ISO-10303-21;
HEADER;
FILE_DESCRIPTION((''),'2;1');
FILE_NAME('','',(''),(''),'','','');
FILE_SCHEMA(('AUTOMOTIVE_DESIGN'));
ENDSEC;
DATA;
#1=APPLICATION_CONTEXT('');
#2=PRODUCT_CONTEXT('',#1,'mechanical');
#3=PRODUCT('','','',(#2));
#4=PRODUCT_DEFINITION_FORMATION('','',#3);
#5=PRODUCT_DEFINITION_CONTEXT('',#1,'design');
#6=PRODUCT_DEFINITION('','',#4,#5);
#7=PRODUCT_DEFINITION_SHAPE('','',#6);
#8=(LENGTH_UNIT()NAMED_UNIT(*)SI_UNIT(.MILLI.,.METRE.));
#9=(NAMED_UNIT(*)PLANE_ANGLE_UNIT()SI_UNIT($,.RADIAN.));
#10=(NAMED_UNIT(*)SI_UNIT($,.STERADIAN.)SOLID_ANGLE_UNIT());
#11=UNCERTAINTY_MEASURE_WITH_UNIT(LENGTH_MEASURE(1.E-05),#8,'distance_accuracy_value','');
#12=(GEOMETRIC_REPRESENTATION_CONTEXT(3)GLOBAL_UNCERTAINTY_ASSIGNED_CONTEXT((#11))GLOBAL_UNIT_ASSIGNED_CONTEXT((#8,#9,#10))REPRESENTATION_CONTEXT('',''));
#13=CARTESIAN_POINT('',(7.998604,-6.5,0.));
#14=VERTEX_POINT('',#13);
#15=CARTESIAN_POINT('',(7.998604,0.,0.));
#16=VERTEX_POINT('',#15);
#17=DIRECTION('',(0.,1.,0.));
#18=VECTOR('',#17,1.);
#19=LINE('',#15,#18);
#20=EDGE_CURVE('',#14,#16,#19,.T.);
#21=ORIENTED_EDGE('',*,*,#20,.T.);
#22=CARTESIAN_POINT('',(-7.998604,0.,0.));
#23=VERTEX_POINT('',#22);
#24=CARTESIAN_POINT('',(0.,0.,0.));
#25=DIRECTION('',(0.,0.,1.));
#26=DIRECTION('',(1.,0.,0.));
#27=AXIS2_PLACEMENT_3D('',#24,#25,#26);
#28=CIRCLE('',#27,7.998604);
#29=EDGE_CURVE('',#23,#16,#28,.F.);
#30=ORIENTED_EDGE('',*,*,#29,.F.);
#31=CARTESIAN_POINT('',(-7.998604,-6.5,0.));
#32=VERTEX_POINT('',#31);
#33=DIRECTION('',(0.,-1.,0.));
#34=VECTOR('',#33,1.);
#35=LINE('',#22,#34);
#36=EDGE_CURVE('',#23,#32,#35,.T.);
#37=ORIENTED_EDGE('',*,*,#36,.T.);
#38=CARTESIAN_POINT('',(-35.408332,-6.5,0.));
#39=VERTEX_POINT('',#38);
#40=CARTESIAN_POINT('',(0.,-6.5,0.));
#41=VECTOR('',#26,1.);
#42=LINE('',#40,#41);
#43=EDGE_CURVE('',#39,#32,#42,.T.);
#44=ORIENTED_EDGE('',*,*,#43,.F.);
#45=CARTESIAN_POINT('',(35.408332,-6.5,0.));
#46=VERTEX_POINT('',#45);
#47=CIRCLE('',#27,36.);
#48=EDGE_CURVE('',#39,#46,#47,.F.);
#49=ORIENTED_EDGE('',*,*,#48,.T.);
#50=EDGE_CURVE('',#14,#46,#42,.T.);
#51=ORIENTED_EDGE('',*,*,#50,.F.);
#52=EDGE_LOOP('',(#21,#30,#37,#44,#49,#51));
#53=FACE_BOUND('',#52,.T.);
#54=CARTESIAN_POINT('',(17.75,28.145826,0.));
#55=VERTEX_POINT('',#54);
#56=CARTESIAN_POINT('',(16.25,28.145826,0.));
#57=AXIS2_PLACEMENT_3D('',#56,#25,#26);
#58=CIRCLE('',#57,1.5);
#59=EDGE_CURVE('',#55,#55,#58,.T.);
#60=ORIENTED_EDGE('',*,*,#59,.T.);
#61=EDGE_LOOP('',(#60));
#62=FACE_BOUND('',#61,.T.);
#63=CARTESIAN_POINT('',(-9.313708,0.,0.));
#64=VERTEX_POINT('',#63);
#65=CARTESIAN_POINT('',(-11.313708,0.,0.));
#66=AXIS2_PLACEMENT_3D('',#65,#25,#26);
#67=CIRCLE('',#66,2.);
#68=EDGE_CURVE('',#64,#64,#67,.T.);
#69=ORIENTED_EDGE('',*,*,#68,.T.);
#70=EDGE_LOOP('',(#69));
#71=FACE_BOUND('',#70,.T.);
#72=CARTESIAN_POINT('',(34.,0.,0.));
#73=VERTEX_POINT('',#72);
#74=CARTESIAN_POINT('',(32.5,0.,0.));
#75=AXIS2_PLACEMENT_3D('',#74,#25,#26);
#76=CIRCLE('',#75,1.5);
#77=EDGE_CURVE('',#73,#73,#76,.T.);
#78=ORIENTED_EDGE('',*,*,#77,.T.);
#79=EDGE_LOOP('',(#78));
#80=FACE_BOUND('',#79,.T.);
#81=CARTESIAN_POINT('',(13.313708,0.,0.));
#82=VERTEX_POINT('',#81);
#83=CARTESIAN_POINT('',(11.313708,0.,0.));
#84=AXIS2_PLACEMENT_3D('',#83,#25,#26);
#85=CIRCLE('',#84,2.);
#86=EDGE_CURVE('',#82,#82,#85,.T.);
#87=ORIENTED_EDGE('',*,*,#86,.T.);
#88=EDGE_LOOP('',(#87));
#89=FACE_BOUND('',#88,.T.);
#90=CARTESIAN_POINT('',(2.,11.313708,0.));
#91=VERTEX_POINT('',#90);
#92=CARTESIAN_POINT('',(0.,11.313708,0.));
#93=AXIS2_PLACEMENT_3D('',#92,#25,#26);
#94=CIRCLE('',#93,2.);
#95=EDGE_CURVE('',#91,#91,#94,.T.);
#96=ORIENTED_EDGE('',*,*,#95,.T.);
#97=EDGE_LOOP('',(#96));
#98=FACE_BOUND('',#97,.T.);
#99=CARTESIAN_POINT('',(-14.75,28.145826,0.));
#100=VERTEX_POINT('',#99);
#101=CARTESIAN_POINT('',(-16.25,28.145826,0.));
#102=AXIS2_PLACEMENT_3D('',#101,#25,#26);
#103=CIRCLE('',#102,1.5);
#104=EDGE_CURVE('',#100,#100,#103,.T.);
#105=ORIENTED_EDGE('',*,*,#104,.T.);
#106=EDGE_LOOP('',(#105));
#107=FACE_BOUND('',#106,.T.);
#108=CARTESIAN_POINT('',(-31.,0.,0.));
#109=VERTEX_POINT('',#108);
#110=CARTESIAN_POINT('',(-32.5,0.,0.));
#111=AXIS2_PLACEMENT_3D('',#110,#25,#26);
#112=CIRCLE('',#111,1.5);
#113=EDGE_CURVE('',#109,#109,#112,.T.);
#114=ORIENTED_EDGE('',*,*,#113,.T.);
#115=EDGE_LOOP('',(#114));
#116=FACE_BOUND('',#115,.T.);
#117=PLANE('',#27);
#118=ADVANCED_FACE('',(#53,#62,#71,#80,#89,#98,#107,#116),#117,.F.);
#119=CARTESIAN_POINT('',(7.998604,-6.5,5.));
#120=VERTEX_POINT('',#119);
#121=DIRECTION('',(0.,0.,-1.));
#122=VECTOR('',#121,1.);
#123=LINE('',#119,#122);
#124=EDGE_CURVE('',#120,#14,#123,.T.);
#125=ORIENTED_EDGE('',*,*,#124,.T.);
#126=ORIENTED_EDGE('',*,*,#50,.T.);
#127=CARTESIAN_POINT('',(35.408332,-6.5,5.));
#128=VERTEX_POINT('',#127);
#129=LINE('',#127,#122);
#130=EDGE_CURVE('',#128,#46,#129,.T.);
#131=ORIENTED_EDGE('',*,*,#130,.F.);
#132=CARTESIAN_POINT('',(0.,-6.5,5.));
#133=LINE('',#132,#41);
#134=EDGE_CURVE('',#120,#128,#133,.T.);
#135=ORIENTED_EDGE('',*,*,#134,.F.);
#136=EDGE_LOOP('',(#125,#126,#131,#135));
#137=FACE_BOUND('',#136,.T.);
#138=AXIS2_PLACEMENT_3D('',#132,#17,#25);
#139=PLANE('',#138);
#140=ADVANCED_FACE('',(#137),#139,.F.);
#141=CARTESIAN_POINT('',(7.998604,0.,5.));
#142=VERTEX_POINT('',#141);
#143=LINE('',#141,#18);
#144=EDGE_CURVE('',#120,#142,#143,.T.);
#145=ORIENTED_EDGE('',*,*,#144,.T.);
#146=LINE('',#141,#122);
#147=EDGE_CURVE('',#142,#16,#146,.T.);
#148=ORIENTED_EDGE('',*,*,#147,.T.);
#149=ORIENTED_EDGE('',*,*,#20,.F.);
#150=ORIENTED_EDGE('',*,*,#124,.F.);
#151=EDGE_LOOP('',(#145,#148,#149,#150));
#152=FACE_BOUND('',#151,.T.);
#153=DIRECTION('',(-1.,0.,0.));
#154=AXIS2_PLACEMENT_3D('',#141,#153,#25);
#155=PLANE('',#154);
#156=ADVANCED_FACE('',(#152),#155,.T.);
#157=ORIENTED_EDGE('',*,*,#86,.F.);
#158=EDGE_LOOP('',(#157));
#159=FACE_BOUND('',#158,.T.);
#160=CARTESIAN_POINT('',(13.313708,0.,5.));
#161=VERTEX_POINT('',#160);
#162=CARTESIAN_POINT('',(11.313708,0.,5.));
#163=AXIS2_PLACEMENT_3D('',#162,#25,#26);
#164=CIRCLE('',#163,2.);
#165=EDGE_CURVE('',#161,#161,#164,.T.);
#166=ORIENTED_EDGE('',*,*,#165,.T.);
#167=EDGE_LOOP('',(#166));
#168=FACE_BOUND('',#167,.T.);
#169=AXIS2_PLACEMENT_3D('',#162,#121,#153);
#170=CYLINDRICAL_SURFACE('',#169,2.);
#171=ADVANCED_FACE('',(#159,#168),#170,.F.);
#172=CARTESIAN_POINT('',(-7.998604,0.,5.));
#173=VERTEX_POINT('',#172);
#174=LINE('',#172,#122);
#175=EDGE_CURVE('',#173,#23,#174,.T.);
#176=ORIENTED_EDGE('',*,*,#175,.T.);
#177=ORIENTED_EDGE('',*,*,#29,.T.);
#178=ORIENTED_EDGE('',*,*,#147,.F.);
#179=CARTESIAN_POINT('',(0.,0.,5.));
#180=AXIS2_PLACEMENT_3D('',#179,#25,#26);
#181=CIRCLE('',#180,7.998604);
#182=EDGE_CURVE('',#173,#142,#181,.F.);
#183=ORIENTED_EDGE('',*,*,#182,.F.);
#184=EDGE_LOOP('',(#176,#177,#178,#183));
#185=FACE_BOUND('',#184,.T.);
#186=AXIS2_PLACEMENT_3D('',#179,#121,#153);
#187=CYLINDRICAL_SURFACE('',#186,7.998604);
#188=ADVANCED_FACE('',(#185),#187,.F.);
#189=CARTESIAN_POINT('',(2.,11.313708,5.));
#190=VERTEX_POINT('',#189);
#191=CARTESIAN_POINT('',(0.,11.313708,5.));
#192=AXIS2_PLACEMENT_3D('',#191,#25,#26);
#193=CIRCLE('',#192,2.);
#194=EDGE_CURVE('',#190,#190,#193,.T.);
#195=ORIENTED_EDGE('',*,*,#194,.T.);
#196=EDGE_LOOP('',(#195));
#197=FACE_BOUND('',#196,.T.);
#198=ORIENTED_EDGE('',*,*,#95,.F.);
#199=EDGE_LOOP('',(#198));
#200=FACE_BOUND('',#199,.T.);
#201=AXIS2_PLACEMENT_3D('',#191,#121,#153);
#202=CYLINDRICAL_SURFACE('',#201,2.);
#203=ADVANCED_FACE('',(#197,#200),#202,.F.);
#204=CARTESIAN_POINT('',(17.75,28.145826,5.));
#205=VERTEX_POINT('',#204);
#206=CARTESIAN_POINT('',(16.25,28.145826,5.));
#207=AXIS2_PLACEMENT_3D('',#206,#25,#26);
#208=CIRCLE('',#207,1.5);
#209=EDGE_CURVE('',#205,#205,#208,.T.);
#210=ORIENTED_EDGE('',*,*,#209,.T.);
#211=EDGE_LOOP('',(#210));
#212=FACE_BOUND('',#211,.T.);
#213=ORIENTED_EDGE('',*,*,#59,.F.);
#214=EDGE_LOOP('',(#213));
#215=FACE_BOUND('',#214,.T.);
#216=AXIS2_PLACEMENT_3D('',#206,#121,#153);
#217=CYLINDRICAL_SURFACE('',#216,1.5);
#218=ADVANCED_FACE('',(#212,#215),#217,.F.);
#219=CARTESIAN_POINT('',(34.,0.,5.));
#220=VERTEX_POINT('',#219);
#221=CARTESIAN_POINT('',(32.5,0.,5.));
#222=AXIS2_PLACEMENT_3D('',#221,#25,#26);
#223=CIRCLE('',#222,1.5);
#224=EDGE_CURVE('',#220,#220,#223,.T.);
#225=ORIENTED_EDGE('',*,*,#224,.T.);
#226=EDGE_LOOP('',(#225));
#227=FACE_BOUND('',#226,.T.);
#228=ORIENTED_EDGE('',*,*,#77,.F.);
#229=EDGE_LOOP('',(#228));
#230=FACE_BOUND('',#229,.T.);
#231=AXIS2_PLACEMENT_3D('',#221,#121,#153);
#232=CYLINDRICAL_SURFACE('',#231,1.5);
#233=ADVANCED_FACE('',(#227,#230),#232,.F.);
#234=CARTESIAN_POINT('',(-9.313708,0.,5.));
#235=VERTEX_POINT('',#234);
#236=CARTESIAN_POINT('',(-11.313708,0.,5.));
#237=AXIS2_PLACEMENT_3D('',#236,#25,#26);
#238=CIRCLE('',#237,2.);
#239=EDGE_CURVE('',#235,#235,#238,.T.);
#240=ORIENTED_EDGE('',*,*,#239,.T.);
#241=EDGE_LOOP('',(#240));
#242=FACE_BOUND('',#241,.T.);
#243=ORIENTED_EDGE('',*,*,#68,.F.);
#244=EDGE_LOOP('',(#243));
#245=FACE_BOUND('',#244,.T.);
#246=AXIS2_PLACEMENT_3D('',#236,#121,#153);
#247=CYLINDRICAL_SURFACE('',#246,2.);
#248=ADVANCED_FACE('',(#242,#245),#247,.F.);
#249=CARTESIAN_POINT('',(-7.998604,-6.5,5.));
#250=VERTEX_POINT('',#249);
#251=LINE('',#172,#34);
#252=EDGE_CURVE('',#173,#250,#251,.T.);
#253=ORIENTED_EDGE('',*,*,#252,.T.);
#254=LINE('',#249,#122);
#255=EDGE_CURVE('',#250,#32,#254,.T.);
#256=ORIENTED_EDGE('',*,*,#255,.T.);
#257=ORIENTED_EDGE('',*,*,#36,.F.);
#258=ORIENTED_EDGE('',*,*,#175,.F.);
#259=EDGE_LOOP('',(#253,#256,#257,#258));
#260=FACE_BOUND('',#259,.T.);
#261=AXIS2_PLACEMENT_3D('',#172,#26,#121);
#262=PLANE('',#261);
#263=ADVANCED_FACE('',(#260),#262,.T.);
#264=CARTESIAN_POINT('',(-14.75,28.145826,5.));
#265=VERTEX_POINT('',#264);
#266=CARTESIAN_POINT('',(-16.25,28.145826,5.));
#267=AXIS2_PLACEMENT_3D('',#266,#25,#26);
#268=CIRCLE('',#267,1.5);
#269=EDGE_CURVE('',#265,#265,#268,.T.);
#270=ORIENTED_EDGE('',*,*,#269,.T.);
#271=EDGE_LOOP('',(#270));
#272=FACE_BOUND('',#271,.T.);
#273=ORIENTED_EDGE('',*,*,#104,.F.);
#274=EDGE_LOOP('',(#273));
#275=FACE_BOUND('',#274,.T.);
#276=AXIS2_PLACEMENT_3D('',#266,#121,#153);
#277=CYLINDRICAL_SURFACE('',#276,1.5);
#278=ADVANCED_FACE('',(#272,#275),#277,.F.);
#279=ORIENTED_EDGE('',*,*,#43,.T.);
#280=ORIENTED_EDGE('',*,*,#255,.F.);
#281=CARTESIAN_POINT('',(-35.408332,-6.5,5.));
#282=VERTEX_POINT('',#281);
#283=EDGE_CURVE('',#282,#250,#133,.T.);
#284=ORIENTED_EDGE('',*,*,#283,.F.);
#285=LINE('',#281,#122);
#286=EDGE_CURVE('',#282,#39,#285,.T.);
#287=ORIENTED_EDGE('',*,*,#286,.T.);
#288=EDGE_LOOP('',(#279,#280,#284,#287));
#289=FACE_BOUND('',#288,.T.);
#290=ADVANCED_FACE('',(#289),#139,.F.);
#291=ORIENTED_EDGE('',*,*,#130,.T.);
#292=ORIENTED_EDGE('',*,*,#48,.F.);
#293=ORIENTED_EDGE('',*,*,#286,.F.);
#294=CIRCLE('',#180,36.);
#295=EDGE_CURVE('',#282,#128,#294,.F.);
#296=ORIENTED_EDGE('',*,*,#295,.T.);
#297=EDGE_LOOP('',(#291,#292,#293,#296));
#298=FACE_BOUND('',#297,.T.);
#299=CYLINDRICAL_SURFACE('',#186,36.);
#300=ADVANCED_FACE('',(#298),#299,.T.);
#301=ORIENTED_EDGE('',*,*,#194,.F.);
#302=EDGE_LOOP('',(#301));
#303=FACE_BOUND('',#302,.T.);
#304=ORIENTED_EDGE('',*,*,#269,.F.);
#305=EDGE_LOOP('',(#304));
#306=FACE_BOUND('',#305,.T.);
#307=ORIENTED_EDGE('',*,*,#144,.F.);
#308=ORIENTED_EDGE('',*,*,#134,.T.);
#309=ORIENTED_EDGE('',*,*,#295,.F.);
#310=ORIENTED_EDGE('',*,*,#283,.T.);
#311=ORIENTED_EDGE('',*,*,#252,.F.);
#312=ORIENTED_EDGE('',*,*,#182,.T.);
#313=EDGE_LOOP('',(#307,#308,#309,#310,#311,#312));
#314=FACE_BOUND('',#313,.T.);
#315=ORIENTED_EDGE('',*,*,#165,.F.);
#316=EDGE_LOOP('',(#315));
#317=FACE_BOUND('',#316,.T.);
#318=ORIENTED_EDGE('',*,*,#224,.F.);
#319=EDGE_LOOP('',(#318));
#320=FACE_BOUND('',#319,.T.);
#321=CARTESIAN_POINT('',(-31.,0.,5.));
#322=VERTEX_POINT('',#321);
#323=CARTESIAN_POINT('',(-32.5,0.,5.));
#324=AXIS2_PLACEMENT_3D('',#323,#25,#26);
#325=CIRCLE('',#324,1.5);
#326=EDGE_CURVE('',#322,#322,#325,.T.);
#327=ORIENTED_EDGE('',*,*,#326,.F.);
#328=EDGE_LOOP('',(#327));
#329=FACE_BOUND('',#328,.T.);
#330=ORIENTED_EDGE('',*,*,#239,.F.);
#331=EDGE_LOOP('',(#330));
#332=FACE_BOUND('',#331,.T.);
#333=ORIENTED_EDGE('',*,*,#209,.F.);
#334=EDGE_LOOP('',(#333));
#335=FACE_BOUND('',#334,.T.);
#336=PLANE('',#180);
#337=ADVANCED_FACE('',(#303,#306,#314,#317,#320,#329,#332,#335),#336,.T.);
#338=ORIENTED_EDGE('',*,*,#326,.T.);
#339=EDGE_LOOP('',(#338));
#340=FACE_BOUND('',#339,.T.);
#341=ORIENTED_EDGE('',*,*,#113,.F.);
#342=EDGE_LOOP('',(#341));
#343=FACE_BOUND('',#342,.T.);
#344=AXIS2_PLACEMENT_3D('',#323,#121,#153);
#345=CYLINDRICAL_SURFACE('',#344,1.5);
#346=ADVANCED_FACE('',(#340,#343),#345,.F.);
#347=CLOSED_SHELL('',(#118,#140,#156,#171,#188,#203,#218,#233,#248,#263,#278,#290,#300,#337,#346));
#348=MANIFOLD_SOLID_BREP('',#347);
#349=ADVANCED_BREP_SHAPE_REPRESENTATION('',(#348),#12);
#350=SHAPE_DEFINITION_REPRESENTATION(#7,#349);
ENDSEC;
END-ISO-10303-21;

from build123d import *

# Parameters (mm, degrees)
SKETCH1_R           = 1.5
SKETCH1_R_2         = 2
BOSS_EXTRUDE1_DEPTH = 5


with BuildPart() as part:
    # Sketch1 → Boss-Extrude1 (new body)
    with BuildSketch(Plane.XY):
        with BuildLine():
            ThreePointArc((35.408332353, -6.5), (0, 36), (-35.408332353, -6.5))
            Line((-35.408332353, -6.5), (-7.998604295, -6.5))
            Line((-7.998604295, -6.5), (-7.998604295, 0))
            ThreePointArc((-7.998604295, 0), (0, 7.998604295), (7.998604295, 0))
            Line((7.998604295, 0), (7.998604295, -6.5))
            Line((7.998604295, -6.5), (35.408332353, -6.5))
        make_face()
        with Locations((-32.5, 0)):
            Circle(SKETCH1_R, mode=Mode.SUBTRACT)
        with Locations((-11.313708499, 0)):
            Circle(SKETCH1_R_2, mode=Mode.SUBTRACT)
        with Locations((0, 11.313708499)):
            Circle(SKETCH1_R_2, mode=Mode.SUBTRACT)
        with Locations((11.313708499, 0)):
            Circle(SKETCH1_R_2, mode=Mode.SUBTRACT)
        with Locations((32.5, 0)):
            Circle(SKETCH1_R, mode=Mode.SUBTRACT)
        with Locations((-16.25, 28.145825623)):
            Circle(SKETCH1_R, mode=Mode.SUBTRACT)
        with Locations((16.25, 28.145825623)):
            Circle(SKETCH1_R, mode=Mode.SUBTRACT)
    extrude(amount=BOSS_EXTRUDE1_DEPTH)


solid = part.part
